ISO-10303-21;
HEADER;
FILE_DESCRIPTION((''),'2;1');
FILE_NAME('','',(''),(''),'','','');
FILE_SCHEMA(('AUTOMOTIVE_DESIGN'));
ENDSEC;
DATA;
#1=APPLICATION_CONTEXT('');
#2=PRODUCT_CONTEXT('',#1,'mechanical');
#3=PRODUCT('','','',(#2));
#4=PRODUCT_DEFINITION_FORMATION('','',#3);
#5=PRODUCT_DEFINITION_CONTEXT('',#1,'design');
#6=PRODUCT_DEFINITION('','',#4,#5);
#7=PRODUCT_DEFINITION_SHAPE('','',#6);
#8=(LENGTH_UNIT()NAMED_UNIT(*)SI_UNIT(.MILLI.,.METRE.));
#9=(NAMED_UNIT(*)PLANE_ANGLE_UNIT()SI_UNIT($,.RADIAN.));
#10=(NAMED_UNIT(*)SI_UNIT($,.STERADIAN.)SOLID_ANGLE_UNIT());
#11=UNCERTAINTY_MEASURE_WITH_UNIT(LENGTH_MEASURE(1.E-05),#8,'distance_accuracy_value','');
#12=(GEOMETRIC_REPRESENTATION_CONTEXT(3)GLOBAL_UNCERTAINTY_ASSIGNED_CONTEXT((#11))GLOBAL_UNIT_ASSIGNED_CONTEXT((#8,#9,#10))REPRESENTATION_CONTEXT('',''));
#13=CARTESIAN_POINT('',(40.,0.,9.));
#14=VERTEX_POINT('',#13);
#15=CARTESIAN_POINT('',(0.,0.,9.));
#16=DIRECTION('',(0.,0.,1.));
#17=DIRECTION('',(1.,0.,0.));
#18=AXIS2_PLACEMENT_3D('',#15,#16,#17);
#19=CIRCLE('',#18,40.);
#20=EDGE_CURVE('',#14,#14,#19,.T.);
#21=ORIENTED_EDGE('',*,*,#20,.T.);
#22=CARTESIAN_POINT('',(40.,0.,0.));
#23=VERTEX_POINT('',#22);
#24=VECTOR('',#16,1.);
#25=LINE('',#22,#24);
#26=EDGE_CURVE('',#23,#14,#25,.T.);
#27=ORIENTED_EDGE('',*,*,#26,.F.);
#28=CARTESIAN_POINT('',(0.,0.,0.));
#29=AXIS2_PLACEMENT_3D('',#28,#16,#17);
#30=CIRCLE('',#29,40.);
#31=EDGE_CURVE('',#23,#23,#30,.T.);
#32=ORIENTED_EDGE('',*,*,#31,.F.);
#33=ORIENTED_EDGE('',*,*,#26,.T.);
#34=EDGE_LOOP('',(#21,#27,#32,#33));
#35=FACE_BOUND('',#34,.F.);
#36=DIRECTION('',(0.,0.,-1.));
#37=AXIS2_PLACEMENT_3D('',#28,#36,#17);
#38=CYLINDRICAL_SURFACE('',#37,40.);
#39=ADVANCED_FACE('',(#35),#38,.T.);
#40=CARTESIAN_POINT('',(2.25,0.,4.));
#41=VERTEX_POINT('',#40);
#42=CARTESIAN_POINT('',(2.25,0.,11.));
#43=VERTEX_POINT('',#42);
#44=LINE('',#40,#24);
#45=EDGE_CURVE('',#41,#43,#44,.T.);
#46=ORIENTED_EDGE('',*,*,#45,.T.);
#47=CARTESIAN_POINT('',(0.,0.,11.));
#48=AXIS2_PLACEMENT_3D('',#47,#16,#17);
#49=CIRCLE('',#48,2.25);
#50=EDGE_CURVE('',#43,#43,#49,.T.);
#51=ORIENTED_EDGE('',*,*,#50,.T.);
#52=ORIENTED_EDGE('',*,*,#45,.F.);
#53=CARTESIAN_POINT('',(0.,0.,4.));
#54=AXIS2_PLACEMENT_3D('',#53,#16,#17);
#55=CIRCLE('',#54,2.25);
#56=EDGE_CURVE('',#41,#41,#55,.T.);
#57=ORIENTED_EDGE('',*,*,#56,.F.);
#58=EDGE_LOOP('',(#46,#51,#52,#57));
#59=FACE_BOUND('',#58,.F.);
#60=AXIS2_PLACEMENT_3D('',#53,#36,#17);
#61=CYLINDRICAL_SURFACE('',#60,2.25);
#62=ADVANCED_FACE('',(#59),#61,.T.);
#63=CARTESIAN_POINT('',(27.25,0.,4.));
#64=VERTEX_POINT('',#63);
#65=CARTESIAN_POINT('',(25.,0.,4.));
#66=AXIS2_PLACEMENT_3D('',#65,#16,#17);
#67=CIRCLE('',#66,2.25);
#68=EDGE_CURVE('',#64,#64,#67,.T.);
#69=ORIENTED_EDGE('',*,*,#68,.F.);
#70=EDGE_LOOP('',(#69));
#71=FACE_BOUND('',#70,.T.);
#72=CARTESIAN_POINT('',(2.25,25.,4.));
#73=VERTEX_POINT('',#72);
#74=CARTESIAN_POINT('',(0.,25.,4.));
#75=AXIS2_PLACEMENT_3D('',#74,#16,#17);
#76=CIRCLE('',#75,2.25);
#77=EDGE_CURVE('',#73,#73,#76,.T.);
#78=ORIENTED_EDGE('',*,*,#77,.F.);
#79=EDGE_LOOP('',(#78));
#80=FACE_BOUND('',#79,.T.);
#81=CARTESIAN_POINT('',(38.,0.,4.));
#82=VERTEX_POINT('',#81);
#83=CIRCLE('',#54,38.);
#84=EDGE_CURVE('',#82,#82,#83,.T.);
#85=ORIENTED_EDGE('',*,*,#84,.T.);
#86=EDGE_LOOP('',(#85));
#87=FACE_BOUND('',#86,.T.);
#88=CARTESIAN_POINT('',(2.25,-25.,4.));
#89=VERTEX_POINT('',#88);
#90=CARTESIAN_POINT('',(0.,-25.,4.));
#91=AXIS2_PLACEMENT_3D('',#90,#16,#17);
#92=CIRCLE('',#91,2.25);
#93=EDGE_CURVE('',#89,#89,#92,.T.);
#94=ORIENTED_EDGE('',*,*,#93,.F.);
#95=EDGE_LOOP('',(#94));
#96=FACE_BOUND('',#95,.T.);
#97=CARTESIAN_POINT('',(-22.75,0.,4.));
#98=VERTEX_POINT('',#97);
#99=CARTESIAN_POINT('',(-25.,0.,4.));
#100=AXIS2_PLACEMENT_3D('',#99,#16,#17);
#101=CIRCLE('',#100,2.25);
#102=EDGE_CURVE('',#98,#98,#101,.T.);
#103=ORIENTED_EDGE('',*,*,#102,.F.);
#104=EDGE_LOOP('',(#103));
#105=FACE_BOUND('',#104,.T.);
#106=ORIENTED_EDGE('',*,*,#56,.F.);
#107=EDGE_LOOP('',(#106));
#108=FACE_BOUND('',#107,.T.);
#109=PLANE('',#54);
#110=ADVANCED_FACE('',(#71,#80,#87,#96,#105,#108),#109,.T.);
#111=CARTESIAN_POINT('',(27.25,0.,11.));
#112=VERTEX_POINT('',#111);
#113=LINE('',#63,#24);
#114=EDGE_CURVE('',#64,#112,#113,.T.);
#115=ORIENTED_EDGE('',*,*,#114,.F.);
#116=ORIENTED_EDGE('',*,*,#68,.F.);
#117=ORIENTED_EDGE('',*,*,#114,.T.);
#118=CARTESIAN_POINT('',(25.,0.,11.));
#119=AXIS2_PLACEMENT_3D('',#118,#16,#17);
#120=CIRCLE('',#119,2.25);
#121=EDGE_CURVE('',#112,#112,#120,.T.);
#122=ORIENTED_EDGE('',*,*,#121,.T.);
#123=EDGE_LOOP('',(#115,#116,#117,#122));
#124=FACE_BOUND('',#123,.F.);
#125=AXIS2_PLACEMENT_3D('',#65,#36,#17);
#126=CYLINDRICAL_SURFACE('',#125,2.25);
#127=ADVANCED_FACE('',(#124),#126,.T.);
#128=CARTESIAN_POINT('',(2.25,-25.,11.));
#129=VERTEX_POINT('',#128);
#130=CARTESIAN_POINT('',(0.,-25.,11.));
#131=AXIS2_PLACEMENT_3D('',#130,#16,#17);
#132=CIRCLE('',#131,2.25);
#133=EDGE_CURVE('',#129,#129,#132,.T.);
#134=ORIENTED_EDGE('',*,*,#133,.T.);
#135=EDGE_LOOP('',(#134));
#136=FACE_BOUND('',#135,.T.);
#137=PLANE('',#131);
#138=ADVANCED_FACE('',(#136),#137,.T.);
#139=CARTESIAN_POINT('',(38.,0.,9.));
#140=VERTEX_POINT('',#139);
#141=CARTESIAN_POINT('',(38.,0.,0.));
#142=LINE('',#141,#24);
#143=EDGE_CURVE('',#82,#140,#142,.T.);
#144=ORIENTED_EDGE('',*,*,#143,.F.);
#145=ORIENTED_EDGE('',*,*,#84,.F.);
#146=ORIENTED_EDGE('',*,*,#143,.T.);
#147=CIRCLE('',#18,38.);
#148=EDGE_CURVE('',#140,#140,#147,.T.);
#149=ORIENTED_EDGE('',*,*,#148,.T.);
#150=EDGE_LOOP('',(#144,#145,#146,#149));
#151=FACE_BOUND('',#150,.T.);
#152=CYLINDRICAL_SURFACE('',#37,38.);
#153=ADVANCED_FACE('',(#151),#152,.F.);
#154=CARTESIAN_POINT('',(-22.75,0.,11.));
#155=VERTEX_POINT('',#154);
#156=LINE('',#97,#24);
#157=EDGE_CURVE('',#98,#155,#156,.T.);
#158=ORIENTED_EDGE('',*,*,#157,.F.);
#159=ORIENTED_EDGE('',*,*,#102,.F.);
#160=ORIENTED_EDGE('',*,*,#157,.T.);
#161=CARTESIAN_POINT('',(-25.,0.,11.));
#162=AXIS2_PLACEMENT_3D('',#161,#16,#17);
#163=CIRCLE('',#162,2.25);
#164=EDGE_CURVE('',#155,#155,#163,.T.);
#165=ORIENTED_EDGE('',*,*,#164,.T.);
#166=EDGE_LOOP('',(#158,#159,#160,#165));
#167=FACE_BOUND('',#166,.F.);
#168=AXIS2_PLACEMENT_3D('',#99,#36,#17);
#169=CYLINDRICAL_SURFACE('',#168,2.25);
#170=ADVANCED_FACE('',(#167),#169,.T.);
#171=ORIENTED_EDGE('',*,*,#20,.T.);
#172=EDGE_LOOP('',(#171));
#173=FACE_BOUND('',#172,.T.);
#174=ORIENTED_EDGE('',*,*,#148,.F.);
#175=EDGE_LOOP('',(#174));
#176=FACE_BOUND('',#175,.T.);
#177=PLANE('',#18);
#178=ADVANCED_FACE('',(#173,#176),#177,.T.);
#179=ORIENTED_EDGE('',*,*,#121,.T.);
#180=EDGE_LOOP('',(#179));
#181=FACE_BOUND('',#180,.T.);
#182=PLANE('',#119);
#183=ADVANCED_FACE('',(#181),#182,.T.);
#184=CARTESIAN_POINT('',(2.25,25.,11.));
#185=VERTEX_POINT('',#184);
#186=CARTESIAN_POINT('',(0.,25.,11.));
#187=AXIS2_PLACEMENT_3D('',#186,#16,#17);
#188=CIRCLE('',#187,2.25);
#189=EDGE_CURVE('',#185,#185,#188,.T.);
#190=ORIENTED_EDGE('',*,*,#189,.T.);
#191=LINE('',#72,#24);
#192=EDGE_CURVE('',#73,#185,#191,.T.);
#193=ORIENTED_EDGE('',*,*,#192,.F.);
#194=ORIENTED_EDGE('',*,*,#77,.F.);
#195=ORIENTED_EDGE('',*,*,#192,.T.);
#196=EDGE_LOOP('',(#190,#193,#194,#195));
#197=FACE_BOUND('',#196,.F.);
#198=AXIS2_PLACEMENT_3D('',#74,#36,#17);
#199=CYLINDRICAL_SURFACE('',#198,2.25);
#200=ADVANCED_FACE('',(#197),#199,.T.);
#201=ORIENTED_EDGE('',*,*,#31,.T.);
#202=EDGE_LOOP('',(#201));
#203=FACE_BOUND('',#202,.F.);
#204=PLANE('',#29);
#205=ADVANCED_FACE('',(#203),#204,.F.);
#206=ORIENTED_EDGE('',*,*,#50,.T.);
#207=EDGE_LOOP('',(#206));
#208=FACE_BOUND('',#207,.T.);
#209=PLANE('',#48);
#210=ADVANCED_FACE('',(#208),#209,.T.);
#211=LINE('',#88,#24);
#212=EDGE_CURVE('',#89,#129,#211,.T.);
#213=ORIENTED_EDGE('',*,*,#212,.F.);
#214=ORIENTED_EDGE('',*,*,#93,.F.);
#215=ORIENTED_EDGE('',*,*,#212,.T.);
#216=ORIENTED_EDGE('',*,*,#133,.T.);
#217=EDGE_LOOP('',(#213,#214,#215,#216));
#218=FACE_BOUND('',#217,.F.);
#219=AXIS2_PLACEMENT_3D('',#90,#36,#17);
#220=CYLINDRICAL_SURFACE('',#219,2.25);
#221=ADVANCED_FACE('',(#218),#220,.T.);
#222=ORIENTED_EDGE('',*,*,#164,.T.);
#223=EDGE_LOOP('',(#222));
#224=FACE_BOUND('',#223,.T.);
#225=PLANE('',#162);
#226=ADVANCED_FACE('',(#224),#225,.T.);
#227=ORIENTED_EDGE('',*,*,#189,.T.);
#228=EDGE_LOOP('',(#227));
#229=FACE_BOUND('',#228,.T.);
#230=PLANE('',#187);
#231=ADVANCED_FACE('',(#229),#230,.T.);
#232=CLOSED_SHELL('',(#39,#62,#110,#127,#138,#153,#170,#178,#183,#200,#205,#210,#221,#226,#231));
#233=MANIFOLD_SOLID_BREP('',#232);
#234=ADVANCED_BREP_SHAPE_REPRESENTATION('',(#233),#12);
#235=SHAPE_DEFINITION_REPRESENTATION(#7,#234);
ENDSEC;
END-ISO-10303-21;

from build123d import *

# Parameters (mm, degrees)
F0_R     = 40
F0_R_2   = 38
F1_DEPTH = 9
F2_DEPTH = 4
F3_R     = 2.25
F4_DEPTH = 7


with BuildPart() as f1:
    # F0 (on Top) → F1 (new body)
    with BuildSketch(Plane.XY):
        Circle(F0_R)
        Circle(F0_R_2, mode=Mode.SUBTRACT)
    extrude(amount=F1_DEPTH)

    # F0 (on Top) → F2 (join)
    with BuildSketch(Plane.XY):
        Circle(F0_R_2)
    extrude(amount=F2_DEPTH)

    # F3 (on face) → F4 (join)
    with BuildSketch(Plane.XY.offset(4)):
        Circle(F3_R)
        with Locations((-25, 0)):
            Circle(F3_R)
        with Locations((25, 0)):
            Circle(F3_R)
        with Locations((0, 25)):
            Circle(F3_R)
        with Locations((0, -25)):
            Circle(F3_R)
    extrude(amount=F4_DEPTH)


solid = f1.part
